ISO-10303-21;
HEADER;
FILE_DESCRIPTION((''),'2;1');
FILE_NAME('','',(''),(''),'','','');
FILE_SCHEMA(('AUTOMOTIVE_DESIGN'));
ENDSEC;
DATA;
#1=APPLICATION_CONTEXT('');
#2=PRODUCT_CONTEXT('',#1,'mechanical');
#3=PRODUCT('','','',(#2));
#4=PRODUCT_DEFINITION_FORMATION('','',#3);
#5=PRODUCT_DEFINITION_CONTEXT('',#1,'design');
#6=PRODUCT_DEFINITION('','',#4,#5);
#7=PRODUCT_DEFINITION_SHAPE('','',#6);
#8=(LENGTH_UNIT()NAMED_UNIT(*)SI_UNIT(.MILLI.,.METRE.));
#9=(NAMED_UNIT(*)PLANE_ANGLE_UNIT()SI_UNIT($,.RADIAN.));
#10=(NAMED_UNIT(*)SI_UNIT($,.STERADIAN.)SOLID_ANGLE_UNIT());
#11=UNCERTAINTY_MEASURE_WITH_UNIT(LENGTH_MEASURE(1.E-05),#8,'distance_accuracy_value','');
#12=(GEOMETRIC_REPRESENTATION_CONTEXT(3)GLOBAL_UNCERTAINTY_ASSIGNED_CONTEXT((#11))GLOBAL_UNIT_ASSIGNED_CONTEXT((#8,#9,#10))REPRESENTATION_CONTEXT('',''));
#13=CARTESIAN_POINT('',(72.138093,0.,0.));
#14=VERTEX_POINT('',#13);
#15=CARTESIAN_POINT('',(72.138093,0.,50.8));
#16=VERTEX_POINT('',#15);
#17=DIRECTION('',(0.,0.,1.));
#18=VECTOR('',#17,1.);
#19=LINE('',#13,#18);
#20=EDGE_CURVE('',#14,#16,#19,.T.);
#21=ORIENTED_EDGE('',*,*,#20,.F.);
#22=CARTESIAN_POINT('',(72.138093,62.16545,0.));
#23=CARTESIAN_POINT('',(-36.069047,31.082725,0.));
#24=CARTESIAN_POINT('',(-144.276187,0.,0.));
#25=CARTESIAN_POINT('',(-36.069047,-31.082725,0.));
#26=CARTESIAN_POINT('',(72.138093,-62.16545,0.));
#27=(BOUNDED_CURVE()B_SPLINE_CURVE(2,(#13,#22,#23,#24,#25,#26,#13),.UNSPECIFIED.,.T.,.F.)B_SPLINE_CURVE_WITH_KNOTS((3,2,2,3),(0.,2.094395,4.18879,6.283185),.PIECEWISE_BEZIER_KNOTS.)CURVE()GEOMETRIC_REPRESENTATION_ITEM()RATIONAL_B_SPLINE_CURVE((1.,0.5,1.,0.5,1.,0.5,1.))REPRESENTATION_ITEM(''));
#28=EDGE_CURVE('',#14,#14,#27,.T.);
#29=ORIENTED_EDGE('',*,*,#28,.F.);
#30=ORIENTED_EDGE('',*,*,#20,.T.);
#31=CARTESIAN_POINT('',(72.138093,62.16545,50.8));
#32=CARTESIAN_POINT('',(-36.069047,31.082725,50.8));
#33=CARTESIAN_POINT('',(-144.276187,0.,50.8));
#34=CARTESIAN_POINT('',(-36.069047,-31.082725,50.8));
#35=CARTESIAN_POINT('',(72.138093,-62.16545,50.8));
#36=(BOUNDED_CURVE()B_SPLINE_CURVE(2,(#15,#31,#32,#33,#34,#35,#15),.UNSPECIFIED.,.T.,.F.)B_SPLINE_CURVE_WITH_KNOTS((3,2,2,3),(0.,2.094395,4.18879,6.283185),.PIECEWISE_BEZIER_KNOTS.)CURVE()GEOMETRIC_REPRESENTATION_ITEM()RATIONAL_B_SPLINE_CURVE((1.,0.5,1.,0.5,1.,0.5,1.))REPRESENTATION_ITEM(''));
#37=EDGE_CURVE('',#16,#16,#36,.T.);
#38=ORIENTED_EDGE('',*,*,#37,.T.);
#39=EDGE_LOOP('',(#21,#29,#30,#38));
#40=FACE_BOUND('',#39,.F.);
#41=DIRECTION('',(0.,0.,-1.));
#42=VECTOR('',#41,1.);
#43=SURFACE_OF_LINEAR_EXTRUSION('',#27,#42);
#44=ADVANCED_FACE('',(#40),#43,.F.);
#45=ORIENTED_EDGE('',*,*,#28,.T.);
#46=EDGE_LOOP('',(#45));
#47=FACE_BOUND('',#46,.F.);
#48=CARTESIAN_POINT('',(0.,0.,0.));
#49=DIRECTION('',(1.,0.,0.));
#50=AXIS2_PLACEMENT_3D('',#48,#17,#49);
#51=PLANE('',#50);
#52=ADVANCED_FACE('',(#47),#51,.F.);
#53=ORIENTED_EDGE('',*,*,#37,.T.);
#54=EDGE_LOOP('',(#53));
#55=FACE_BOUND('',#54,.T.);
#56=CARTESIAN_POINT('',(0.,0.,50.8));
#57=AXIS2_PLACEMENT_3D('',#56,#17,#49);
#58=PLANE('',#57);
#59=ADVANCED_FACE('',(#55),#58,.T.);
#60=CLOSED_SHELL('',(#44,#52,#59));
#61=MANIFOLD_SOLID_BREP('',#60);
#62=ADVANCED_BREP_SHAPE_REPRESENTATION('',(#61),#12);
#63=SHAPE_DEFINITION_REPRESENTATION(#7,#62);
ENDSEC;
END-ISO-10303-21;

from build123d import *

# Parameters (mm, degrees)
F1_DEPTH = 50.8
F3_DEPTH = 40.830202


with BuildPart() as f1:
    # F0 (on Top) → F1 (new body)
    with BuildSketch(Plane.XY):
        with BuildLine():
            add(Edge.make_bspline(
                [(72.138093, 0), (72.138093, 62.16545), (-36.069047, 31.082725), (-144.276187, 0), (-36.069047, -31.082725), (72.138093, -62.16545), (72.138093, 0)],
                knots=[0, 0, 0, 2.094395, 2.094395, 4.18879, 4.18879, 6.283185, 6.283185, 6.283185], degree=2, weights=[1, 0.5, 1, 0.5, 1, 0.5, 1]))
        make_face()
    extrude(amount=F1_DEPTH)

    # F2 (on face) → F3 (join)
    with BuildSketch(Plane.XY.offset(50.8)):
        with BuildLine():
            add(Edge.make_bspline(
                [(72.138093, 0), (72.138093, 62.16545), (-36.069047, 31.082725), (-144.276187, 0), (-36.069047, -31.082725), (72.138093, -62.16545), (72.138093, 0)],
                knots=[0, 0, 0, 2.094395, 2.094395, 4.18879, 4.18879, 6.283185, 6.283185, 6.283185], degree=2, weights=[1, 0.5, 1, 0.5, 1, 0.5, 1]))
        make_face()
    extrude(amount=-F3_DEPTH)


solid = f1.part
